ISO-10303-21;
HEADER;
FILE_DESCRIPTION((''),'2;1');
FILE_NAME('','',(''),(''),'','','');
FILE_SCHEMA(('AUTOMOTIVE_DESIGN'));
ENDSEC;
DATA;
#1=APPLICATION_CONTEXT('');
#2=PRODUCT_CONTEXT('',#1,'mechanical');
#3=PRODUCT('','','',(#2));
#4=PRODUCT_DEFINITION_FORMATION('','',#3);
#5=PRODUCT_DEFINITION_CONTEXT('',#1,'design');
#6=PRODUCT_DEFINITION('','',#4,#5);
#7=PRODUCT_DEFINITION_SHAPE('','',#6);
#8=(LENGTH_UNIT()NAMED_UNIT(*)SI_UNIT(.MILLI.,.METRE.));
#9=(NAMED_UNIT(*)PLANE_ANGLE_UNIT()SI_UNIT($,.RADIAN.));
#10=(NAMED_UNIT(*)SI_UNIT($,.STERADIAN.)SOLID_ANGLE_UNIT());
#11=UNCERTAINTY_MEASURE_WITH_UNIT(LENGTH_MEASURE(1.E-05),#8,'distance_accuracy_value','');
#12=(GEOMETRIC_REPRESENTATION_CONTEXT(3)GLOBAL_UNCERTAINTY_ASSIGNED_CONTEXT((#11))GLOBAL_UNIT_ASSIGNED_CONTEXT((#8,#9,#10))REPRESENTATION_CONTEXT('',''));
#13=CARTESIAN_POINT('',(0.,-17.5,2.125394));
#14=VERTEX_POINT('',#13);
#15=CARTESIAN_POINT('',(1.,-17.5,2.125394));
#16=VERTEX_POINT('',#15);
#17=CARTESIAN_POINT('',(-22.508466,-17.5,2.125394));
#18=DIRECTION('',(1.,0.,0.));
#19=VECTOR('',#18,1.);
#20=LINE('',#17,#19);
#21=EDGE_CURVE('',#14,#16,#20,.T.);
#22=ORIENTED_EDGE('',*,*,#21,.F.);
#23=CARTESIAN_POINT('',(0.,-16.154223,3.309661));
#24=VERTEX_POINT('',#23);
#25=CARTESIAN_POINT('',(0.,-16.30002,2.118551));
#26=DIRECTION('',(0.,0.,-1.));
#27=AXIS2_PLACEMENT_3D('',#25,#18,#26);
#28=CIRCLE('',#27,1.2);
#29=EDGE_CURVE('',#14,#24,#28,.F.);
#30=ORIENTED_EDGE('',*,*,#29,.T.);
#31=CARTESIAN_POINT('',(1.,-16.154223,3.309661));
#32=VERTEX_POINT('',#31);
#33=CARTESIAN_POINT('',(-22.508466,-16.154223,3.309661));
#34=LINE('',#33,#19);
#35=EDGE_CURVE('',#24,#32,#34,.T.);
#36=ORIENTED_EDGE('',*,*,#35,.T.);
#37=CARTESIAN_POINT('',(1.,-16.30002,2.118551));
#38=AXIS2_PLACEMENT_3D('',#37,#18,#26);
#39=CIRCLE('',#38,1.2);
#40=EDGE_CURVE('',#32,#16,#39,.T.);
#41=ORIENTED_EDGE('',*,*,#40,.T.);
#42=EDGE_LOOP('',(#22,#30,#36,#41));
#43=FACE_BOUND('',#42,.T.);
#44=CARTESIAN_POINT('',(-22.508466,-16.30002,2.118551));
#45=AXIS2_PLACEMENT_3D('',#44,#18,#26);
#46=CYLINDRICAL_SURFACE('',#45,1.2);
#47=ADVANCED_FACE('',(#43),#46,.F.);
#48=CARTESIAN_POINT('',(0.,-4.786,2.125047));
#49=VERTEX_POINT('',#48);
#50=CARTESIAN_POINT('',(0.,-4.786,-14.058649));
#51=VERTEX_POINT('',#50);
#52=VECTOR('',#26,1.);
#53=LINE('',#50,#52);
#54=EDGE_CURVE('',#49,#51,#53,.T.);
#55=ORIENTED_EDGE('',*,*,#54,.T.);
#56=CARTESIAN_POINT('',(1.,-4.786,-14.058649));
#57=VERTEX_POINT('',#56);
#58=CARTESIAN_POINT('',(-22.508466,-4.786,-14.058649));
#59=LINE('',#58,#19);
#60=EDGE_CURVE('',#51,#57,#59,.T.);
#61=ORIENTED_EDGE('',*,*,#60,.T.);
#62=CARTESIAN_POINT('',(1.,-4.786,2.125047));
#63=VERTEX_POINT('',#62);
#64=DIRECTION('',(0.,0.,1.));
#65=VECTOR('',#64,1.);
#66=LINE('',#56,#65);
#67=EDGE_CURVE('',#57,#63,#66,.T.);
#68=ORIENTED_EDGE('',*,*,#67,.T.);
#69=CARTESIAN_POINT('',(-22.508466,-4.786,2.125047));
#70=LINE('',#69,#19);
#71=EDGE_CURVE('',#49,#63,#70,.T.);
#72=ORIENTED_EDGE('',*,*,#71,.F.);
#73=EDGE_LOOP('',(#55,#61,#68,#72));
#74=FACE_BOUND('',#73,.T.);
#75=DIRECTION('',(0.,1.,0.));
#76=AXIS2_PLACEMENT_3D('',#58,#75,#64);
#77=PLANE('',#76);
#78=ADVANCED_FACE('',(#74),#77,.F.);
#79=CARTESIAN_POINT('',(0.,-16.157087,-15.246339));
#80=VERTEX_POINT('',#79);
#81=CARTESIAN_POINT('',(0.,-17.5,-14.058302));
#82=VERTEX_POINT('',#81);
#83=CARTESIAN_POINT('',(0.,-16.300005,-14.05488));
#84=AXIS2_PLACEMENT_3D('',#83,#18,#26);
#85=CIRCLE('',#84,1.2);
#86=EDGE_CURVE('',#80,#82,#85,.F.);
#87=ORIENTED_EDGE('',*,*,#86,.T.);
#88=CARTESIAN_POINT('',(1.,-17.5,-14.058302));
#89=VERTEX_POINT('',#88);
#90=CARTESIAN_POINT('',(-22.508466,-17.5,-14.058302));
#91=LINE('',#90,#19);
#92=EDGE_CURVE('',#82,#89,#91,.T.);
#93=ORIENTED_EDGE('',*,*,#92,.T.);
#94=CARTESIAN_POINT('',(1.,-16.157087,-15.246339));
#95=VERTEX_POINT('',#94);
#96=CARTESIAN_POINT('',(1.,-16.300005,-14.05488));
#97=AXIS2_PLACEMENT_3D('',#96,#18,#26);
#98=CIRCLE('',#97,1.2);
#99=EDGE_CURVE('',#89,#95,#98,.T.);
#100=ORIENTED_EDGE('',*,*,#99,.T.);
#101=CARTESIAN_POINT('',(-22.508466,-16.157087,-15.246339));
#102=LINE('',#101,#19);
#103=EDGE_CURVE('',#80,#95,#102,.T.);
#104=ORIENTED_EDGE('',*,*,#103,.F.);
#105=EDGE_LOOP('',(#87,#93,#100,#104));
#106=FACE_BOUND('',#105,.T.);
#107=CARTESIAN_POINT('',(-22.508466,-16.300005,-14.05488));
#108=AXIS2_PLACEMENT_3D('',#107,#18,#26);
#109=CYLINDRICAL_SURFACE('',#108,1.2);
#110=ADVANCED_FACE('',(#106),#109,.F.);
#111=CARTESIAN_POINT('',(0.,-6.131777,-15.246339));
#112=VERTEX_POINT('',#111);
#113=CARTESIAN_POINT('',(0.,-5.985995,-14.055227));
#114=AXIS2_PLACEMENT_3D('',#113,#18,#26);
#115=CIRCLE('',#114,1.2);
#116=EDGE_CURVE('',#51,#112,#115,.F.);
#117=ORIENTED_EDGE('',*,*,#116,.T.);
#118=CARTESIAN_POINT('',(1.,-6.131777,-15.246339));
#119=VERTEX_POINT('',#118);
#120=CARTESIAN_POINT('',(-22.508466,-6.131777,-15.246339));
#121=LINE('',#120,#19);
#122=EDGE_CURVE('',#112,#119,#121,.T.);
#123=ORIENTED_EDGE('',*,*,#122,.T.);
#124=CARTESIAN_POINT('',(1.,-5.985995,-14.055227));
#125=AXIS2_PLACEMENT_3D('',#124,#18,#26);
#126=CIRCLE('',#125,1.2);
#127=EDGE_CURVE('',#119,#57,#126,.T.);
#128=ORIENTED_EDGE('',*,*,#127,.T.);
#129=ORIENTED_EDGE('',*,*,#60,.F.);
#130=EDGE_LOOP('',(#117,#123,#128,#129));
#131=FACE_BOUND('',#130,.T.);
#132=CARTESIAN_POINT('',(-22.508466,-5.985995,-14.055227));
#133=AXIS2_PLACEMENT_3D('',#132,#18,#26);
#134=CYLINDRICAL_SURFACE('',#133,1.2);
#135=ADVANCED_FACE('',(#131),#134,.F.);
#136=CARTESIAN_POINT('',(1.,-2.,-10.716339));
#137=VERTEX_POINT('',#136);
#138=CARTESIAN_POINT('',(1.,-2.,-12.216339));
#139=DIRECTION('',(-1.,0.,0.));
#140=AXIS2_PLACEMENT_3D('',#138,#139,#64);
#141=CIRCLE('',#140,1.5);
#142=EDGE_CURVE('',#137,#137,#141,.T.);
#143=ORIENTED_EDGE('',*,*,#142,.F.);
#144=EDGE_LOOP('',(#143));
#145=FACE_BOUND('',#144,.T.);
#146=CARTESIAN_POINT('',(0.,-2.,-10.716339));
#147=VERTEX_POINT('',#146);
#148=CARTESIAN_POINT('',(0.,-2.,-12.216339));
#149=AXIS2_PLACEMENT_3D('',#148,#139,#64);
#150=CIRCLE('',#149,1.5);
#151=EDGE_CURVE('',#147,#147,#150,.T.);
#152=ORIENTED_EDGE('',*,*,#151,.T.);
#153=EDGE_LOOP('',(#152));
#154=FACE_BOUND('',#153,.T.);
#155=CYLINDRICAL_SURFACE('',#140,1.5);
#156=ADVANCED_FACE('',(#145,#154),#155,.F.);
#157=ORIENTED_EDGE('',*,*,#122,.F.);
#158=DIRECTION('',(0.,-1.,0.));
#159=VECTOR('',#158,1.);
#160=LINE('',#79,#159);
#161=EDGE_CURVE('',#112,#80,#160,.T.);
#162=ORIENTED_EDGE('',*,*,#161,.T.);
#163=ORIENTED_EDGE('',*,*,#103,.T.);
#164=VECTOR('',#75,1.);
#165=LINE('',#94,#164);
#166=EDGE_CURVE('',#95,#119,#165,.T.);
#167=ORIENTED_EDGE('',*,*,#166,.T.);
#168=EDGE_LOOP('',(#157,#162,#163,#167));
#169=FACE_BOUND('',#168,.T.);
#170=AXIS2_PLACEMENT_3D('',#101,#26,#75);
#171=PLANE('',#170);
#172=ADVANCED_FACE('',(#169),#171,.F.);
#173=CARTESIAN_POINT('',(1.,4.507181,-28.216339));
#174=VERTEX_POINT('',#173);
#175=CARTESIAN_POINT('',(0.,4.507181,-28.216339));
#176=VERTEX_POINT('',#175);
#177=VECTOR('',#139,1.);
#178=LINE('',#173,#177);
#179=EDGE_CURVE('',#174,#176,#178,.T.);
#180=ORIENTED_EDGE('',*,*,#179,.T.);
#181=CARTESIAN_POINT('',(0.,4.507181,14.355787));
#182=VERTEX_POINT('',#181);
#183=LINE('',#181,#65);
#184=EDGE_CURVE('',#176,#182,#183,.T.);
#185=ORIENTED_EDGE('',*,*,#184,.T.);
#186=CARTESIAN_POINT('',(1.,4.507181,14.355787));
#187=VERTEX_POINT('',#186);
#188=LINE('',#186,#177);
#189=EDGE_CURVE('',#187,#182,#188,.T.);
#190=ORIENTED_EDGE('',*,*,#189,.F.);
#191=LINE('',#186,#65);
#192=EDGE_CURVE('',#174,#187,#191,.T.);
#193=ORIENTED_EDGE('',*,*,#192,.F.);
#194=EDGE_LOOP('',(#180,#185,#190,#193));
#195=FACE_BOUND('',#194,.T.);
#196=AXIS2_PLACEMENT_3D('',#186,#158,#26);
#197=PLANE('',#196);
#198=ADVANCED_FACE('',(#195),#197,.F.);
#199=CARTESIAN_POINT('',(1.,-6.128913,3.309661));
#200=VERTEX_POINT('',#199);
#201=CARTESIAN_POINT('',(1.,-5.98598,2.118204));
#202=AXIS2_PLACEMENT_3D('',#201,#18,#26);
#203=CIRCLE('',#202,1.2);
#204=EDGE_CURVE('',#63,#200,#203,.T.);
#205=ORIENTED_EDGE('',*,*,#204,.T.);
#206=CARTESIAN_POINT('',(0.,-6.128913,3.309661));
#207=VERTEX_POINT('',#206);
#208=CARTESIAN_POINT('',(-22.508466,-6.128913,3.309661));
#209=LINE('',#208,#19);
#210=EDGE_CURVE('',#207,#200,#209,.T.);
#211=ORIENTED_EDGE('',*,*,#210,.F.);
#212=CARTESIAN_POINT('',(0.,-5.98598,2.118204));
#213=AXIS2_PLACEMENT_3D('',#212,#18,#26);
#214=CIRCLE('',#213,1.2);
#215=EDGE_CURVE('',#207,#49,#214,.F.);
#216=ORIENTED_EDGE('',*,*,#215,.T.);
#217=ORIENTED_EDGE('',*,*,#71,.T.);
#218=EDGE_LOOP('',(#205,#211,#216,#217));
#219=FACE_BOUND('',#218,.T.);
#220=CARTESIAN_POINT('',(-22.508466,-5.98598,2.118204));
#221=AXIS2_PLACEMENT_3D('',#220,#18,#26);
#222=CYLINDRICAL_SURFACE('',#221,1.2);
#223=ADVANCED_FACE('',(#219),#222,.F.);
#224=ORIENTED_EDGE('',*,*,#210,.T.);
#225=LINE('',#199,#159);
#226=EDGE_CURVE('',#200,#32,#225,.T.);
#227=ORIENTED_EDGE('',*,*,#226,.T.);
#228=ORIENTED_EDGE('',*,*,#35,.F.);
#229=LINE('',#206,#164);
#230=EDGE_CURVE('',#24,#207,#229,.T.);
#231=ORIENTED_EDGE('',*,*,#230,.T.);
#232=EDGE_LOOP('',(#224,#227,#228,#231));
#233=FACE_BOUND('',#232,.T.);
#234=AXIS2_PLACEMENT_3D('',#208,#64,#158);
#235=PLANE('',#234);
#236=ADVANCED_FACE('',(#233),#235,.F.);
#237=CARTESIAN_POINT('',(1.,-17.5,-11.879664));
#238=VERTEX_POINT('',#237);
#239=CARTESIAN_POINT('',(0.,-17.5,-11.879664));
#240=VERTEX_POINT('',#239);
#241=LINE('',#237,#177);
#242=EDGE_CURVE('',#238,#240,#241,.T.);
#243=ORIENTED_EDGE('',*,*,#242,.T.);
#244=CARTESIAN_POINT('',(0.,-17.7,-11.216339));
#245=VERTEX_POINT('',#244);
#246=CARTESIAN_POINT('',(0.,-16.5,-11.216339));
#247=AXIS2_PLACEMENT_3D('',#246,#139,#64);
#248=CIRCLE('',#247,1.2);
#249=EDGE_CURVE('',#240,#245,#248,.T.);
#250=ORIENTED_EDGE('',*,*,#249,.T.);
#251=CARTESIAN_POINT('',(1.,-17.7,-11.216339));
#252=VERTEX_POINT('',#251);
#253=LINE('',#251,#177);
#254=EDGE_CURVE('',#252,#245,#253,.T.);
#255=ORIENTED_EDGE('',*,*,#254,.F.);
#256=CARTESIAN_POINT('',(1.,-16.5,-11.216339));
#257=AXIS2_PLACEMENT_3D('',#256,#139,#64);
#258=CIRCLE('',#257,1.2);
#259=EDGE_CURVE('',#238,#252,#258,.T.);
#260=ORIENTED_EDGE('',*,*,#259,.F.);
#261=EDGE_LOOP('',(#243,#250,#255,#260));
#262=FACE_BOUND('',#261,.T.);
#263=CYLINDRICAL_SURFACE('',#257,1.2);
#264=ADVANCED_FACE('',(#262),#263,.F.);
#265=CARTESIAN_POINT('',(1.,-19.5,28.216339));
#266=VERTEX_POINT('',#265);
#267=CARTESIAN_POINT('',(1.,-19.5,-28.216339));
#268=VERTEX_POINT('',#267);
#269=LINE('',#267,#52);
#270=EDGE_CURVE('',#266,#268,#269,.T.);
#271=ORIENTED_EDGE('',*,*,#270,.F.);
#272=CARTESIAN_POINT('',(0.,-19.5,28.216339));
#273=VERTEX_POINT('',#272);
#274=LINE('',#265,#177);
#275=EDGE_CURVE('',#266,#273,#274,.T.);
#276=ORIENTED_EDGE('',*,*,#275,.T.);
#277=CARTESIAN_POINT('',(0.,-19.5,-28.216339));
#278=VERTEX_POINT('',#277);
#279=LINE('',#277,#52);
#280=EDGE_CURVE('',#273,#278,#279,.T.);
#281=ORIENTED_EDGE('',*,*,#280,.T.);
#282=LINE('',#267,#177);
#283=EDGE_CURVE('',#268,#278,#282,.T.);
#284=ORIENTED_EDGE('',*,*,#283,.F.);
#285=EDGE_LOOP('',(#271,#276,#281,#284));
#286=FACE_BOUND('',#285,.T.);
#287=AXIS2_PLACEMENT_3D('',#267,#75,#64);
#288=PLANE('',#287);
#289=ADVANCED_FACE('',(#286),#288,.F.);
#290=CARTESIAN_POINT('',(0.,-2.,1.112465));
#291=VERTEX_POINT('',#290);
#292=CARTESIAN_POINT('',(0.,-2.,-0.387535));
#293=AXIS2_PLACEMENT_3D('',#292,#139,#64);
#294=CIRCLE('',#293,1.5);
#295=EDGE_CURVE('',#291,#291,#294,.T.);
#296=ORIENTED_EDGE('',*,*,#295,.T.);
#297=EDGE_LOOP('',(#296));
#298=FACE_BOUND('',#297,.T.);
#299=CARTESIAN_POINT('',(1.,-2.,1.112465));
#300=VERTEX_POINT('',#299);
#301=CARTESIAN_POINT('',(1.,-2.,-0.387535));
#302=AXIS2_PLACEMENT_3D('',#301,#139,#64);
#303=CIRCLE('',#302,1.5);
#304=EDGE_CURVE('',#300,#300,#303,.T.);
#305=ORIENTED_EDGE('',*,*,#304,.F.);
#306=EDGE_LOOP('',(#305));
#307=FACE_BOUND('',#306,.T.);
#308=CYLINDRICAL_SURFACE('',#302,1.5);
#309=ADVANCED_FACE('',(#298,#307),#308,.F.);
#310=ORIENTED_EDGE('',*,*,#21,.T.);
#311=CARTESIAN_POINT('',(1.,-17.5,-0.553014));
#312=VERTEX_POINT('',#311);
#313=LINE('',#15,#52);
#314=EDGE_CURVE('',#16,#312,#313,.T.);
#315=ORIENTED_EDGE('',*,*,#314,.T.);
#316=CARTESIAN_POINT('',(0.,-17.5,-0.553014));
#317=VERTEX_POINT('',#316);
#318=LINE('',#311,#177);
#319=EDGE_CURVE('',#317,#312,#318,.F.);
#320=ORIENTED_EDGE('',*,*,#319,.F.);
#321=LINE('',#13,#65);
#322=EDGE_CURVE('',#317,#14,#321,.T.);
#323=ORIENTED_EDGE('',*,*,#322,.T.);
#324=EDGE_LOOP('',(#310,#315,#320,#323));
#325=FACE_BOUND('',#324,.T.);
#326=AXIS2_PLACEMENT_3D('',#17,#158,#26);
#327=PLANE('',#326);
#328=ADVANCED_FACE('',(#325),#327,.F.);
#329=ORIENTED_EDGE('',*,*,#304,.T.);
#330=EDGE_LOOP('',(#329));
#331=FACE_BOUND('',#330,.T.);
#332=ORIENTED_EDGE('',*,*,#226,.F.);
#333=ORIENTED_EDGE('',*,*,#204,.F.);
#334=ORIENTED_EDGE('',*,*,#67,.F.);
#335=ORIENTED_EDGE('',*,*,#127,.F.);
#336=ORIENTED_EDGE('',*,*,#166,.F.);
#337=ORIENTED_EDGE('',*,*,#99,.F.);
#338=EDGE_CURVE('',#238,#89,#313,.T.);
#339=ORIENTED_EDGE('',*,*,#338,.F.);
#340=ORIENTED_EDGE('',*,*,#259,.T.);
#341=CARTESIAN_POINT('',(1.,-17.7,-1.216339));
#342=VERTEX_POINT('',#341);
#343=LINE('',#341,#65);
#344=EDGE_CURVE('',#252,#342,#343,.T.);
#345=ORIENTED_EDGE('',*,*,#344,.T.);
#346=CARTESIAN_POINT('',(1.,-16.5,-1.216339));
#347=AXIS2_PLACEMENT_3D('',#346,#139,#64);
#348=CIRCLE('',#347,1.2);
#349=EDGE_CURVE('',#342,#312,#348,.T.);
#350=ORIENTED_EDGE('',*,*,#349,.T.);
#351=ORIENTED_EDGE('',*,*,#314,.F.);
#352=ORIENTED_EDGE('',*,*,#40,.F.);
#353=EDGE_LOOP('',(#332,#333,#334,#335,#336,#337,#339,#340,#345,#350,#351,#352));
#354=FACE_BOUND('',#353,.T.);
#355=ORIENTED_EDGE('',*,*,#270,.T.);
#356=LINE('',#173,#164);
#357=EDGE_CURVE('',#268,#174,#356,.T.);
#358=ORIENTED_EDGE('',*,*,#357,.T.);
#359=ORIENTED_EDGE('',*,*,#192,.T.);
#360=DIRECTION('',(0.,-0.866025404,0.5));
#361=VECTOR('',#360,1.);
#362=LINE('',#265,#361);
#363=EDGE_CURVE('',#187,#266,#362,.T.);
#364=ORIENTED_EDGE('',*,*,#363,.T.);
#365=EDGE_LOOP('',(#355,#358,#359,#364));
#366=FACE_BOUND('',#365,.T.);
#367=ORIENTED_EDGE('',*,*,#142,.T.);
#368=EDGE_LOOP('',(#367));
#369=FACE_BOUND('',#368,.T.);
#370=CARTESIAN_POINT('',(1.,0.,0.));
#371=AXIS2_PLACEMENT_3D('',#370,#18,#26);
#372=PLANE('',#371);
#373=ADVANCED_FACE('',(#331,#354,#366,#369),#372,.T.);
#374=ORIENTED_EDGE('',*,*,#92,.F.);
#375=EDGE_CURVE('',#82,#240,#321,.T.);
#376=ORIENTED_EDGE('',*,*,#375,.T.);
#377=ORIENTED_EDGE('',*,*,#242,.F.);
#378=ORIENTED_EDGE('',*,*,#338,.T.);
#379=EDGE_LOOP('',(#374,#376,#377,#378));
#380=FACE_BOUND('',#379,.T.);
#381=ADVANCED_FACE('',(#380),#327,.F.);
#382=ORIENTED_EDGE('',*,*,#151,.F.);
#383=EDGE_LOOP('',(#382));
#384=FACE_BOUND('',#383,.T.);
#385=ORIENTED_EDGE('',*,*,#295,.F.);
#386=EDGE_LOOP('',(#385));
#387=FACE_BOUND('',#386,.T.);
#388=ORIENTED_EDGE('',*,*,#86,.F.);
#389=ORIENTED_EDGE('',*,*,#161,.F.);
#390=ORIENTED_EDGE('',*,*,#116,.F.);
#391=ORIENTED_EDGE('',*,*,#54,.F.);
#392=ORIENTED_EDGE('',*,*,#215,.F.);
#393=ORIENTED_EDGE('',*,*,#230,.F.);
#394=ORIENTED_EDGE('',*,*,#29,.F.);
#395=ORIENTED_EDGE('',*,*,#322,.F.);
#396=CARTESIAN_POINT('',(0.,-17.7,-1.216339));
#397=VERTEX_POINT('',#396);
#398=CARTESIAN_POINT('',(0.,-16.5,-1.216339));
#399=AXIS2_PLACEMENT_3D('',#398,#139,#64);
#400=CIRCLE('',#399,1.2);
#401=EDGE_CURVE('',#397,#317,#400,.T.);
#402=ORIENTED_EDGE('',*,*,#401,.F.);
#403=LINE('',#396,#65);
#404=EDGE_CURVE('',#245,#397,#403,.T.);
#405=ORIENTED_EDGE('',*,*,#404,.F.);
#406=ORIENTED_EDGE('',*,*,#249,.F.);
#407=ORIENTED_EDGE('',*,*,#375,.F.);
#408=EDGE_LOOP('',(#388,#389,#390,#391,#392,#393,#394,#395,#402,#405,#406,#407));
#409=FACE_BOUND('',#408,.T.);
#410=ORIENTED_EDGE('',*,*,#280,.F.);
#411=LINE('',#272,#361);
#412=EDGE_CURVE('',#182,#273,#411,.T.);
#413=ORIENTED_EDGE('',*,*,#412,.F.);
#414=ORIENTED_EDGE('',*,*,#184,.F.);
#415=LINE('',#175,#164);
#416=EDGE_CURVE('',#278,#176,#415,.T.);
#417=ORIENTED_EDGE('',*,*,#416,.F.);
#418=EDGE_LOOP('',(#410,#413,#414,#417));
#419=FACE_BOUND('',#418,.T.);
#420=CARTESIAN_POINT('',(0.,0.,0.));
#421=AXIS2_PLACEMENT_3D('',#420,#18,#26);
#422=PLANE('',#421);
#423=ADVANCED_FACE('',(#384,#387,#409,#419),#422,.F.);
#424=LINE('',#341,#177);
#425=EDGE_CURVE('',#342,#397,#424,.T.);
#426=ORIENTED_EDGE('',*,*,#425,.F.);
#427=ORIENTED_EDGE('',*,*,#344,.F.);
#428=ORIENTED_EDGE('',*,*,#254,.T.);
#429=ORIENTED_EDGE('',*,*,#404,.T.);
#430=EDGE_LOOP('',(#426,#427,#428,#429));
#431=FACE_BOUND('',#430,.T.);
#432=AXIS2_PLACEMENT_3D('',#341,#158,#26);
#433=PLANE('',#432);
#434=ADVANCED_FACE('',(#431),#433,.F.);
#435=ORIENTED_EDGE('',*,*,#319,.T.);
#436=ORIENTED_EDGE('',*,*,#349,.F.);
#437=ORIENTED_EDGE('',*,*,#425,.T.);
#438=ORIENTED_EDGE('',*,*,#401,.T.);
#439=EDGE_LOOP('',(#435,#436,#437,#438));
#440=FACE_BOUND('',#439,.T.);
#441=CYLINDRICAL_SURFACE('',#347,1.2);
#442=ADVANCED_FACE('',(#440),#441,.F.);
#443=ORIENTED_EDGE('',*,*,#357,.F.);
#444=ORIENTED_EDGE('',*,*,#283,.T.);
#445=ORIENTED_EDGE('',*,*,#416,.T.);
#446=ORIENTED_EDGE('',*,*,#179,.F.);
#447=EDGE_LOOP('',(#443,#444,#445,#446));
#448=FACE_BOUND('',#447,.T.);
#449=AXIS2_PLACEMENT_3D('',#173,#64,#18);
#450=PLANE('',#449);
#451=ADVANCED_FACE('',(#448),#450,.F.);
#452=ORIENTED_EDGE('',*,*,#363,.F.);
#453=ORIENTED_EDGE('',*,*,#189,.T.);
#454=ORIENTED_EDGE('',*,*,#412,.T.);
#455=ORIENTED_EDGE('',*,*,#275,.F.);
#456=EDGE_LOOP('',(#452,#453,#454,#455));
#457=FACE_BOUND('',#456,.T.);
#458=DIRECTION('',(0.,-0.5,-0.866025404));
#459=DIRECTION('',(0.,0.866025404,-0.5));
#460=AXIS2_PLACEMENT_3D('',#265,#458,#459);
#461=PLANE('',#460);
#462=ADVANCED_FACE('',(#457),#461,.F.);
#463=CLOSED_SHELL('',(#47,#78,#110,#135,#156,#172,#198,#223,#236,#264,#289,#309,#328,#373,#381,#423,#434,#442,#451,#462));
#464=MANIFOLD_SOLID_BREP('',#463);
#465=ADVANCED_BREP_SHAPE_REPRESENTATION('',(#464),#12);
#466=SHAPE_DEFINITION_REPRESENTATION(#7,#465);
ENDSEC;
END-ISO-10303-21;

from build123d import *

# Parameters (mm, degrees)
EXTRUDE_1_DEPTH     = 1
CUT_EXTRUDE_1_DEPTH = 35.313434576
SKETCH_5_R          = 1.5
CUT_EXTRUDE_2_DEPTH = 35.313434576
CUT_EXTRUDE1_DEPTH  = 1


with BuildPart() as part:
    # Эскиз1 → Бобышка-Вытянуть1 (new body)
    with BuildSketch(Plane(origin=(0, 0, 0), x_dir=(0, 0, -1), z_dir=(1, 0, 0))):
        Polygon((28.216339104, 4.507181273), (28.216339104, -19.5), (-28.216339104, -19.5), (-14.355786533, 4.507181273), align=None)
    extrude(amount=EXTRUDE_1_DEPTH)

    # Эскиз3 → Вырез-Вытянуть1 (cut, through all)
    with BuildSketch(Plane.ZY):
        with BuildLine():
            Line((-1.216339104, -7.8), (-11.216339104, -7.8))
            ThreePointArc((-11.216339104, -7.8), (-12.064867241, -8.151471863), (-12.416339104, -9))
            Line((-12.416339104, -9), (-12.416339104, -16.5))
            ThreePointArc((-12.416339104, -16.5), (-12.064867241, -17.348528137), (-11.216339104, -17.7))
            Line((-11.216339104, -17.7), (-1.216339104, -17.7))
            ThreePointArc((-1.216339104, -17.7), (-0.367810966, -17.348528137), (-0.016339104, -16.5))
            Line((-0.016339104, -16.5), (-0.016339104, -9))
            ThreePointArc((-0.016339104, -9), (-0.367810966, -8.151471863), (-1.216339104, -7.8))
        make_face()
    extrude(amount=-CUT_EXTRUDE_1_DEPTH, mode=Mode.SUBTRACT)

    # Эскиз5 → Вырез-Вытянуть2 (cut, through all)
    with BuildSketch(Plane.ZY):
        with Locations((-12.216339104, -2)):
            Circle(SKETCH_5_R)
        with Locations((-0.387535442, -2)):
            Circle(SKETCH_5_R)
    extrude(amount=-CUT_EXTRUDE_2_DEPTH, mode=Mode.SUBTRACT)

    # Sketch2 → Cut-Extrude1 (cut)
    with BuildSketch(Plane(origin=(1, 0, 0), x_dir=(0, 0, -1), z_dir=(1, 0, 0))):
        with BuildLine():
            Line((14.058648973, -4.786), (-2.125047218, -4.786))
            ThreePointArc((-2.125047218, -4.786), (-3.018111901, -5.192151072), (-3.309660896, -6.12891273))
            Line((-3.309660896, -6.12891273), (-3.309660896, -16.154222982))
            ThreePointArc((-3.309660896, -16.154222982), (-3.019412686, -17.092766498), (-2.125394323, -17.5))
            Line((-2.125394323, -17.5), (14.058301867, -17.5))
            ThreePointArc((14.058301867, -17.5), (14.95365068, -17.095122111), (15.246339104, -16.157087417))
            Line((15.246339104, -16.157087417), (15.246339104, -6.131777166))
            ThreePointArc((15.246339104, -6.131777166), (14.95495311, -5.191959061), (14.058648973, -4.786))
        make_face()
    extrude(amount=-CUT_EXTRUDE1_DEPTH, mode=Mode.SUBTRACT)


solid = part.part
